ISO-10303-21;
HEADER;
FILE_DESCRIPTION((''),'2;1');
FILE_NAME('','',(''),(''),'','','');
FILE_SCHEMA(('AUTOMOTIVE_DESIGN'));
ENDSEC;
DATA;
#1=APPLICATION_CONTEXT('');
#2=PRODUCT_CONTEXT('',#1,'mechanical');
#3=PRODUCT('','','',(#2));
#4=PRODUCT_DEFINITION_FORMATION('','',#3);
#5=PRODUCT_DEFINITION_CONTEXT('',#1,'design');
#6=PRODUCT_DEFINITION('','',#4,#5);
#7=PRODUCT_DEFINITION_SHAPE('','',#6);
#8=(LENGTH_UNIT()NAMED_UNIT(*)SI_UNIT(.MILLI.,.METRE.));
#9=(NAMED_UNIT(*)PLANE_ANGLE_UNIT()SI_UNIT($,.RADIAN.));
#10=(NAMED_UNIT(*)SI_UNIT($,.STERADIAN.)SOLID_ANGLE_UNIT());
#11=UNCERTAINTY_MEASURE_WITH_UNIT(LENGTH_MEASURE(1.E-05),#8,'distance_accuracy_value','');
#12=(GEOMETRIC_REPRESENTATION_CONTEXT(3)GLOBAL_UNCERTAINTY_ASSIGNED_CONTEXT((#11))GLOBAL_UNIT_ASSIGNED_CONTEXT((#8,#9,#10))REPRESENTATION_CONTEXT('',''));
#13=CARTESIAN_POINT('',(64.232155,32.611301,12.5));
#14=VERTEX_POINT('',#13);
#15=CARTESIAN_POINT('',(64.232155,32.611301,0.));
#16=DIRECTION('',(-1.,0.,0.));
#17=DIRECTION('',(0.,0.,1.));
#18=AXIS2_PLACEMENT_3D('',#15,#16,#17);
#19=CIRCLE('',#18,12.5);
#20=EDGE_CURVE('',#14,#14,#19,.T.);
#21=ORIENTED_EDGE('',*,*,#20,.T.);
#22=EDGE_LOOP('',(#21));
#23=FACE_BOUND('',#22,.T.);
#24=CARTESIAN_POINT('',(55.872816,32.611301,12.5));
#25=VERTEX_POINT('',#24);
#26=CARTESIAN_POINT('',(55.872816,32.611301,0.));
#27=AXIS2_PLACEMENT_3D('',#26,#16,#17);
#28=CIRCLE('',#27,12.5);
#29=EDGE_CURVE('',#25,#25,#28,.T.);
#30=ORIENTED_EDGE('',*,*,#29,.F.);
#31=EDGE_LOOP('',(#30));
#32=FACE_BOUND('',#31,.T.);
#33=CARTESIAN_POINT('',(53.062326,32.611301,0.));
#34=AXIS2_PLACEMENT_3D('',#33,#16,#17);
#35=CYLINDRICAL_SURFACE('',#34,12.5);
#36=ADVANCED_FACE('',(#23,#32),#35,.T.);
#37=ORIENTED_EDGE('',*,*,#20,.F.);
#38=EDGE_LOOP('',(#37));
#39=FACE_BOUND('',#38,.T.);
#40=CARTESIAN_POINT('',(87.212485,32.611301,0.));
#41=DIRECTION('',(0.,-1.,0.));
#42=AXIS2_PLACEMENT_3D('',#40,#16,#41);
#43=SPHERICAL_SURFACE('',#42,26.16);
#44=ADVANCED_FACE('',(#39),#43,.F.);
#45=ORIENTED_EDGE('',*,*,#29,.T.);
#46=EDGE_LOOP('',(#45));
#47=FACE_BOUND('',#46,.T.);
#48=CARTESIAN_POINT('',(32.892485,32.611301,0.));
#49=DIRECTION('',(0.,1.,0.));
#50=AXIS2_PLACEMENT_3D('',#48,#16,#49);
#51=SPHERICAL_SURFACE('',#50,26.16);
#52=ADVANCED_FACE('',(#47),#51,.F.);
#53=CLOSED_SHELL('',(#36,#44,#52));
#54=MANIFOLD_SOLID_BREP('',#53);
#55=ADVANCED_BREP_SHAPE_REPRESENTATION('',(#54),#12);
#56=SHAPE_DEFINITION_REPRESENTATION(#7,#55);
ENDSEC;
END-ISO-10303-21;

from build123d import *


with BuildPart() as part:
    # 草图1 → 旋转1 (revolve)
    with BuildSketch(Plane.XY, mode=Mode.PRIVATE) as revolve_1_sk:
        with BuildLine():
            Line((61.052485254, 32.611301436), (59.052485254, 32.611301436))
            ThreePointArc((59.052485254, 32.611301436), (58.245108902, 39.060338123), (55.872815974, 45.111301436))
            Line((55.872815974, 45.111301436), (60.052485254, 45.111301436))
            Line((60.052485254, 45.111301436), (64.232154534, 45.111301436))
            ThreePointArc((64.232154534, 45.111301436), (61.859861607, 39.060338123), (61.052485254, 32.611301436))
        make_face()
    revolve(revolve_1_sk.sketch.rotate(Axis((53.062326393, 32.611301436, 0), (1, 0, 0)), 90), axis=Axis((53.062326393, 32.611301436, 0), (1, 0, 0)))  # turned: the seam where the file's is


solid = part.part
